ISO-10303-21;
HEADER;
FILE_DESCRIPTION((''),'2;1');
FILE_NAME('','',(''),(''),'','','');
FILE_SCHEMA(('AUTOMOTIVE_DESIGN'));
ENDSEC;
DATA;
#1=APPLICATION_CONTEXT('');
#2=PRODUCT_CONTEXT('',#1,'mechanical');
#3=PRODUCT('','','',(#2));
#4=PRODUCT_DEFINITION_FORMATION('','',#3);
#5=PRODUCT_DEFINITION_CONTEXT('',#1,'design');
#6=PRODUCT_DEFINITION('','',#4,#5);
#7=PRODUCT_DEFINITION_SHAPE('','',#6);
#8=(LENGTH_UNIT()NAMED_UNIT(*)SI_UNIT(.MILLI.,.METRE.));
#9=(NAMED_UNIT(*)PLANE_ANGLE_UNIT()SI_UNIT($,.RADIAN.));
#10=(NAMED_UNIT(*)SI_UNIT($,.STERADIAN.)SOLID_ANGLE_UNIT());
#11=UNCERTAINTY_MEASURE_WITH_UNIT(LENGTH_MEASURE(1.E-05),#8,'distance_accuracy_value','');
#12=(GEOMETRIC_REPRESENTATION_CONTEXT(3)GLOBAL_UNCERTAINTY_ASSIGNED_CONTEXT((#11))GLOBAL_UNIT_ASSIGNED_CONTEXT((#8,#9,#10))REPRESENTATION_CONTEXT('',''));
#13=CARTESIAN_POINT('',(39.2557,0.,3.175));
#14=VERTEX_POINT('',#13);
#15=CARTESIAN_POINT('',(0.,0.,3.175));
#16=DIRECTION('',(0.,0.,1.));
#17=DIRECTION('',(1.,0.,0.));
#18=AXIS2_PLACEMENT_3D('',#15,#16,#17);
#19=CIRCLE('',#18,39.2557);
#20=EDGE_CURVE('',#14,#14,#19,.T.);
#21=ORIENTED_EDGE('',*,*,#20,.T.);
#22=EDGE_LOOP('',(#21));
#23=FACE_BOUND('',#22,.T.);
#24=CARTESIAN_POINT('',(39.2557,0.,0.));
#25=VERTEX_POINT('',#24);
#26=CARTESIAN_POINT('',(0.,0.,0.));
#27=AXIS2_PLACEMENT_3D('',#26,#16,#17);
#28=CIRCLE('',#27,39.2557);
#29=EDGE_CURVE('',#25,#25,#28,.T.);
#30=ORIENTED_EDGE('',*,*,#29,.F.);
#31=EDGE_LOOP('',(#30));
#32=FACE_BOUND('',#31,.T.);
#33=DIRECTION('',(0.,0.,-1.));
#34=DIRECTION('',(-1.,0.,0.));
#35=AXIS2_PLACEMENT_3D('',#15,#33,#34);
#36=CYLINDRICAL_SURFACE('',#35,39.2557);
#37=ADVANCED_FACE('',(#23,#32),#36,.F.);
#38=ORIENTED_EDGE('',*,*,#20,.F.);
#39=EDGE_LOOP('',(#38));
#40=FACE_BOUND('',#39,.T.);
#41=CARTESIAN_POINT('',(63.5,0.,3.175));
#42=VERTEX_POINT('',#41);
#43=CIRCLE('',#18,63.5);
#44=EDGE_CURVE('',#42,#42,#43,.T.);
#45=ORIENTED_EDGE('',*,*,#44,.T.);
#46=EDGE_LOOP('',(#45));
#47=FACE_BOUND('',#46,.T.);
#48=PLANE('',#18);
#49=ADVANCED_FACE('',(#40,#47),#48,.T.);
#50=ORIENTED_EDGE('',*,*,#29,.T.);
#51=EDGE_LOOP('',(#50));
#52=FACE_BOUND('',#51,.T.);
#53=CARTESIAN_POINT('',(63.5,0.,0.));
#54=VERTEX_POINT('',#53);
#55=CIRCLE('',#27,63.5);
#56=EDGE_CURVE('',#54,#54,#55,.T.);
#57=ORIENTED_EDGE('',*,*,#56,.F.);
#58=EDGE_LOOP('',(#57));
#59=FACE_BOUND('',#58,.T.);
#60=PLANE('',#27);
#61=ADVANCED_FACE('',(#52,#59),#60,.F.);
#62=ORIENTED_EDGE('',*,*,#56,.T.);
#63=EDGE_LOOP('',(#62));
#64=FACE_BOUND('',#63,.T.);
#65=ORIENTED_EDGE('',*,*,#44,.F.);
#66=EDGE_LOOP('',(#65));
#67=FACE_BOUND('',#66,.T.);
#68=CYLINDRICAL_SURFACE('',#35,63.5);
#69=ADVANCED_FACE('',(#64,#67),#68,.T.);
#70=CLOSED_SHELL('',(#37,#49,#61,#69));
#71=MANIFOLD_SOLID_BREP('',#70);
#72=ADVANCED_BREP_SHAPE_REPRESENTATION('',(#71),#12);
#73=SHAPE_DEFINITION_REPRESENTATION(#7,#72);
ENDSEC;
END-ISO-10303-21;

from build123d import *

# Parameters (mm, degrees)
SKETCH1_R           = 63.5
SKETCH1_R_2         = 39.2557
BOSS_EXTRUDE1_DEPTH = 3.175


with BuildPart() as part:
    # Sketch1 → Boss-Extrude1 (new body)
    with BuildSketch(Plane.XY):
        Circle(SKETCH1_R)
        Circle(SKETCH1_R_2, mode=Mode.SUBTRACT)
    extrude(amount=BOSS_EXTRUDE1_DEPTH)


solid = part.part
